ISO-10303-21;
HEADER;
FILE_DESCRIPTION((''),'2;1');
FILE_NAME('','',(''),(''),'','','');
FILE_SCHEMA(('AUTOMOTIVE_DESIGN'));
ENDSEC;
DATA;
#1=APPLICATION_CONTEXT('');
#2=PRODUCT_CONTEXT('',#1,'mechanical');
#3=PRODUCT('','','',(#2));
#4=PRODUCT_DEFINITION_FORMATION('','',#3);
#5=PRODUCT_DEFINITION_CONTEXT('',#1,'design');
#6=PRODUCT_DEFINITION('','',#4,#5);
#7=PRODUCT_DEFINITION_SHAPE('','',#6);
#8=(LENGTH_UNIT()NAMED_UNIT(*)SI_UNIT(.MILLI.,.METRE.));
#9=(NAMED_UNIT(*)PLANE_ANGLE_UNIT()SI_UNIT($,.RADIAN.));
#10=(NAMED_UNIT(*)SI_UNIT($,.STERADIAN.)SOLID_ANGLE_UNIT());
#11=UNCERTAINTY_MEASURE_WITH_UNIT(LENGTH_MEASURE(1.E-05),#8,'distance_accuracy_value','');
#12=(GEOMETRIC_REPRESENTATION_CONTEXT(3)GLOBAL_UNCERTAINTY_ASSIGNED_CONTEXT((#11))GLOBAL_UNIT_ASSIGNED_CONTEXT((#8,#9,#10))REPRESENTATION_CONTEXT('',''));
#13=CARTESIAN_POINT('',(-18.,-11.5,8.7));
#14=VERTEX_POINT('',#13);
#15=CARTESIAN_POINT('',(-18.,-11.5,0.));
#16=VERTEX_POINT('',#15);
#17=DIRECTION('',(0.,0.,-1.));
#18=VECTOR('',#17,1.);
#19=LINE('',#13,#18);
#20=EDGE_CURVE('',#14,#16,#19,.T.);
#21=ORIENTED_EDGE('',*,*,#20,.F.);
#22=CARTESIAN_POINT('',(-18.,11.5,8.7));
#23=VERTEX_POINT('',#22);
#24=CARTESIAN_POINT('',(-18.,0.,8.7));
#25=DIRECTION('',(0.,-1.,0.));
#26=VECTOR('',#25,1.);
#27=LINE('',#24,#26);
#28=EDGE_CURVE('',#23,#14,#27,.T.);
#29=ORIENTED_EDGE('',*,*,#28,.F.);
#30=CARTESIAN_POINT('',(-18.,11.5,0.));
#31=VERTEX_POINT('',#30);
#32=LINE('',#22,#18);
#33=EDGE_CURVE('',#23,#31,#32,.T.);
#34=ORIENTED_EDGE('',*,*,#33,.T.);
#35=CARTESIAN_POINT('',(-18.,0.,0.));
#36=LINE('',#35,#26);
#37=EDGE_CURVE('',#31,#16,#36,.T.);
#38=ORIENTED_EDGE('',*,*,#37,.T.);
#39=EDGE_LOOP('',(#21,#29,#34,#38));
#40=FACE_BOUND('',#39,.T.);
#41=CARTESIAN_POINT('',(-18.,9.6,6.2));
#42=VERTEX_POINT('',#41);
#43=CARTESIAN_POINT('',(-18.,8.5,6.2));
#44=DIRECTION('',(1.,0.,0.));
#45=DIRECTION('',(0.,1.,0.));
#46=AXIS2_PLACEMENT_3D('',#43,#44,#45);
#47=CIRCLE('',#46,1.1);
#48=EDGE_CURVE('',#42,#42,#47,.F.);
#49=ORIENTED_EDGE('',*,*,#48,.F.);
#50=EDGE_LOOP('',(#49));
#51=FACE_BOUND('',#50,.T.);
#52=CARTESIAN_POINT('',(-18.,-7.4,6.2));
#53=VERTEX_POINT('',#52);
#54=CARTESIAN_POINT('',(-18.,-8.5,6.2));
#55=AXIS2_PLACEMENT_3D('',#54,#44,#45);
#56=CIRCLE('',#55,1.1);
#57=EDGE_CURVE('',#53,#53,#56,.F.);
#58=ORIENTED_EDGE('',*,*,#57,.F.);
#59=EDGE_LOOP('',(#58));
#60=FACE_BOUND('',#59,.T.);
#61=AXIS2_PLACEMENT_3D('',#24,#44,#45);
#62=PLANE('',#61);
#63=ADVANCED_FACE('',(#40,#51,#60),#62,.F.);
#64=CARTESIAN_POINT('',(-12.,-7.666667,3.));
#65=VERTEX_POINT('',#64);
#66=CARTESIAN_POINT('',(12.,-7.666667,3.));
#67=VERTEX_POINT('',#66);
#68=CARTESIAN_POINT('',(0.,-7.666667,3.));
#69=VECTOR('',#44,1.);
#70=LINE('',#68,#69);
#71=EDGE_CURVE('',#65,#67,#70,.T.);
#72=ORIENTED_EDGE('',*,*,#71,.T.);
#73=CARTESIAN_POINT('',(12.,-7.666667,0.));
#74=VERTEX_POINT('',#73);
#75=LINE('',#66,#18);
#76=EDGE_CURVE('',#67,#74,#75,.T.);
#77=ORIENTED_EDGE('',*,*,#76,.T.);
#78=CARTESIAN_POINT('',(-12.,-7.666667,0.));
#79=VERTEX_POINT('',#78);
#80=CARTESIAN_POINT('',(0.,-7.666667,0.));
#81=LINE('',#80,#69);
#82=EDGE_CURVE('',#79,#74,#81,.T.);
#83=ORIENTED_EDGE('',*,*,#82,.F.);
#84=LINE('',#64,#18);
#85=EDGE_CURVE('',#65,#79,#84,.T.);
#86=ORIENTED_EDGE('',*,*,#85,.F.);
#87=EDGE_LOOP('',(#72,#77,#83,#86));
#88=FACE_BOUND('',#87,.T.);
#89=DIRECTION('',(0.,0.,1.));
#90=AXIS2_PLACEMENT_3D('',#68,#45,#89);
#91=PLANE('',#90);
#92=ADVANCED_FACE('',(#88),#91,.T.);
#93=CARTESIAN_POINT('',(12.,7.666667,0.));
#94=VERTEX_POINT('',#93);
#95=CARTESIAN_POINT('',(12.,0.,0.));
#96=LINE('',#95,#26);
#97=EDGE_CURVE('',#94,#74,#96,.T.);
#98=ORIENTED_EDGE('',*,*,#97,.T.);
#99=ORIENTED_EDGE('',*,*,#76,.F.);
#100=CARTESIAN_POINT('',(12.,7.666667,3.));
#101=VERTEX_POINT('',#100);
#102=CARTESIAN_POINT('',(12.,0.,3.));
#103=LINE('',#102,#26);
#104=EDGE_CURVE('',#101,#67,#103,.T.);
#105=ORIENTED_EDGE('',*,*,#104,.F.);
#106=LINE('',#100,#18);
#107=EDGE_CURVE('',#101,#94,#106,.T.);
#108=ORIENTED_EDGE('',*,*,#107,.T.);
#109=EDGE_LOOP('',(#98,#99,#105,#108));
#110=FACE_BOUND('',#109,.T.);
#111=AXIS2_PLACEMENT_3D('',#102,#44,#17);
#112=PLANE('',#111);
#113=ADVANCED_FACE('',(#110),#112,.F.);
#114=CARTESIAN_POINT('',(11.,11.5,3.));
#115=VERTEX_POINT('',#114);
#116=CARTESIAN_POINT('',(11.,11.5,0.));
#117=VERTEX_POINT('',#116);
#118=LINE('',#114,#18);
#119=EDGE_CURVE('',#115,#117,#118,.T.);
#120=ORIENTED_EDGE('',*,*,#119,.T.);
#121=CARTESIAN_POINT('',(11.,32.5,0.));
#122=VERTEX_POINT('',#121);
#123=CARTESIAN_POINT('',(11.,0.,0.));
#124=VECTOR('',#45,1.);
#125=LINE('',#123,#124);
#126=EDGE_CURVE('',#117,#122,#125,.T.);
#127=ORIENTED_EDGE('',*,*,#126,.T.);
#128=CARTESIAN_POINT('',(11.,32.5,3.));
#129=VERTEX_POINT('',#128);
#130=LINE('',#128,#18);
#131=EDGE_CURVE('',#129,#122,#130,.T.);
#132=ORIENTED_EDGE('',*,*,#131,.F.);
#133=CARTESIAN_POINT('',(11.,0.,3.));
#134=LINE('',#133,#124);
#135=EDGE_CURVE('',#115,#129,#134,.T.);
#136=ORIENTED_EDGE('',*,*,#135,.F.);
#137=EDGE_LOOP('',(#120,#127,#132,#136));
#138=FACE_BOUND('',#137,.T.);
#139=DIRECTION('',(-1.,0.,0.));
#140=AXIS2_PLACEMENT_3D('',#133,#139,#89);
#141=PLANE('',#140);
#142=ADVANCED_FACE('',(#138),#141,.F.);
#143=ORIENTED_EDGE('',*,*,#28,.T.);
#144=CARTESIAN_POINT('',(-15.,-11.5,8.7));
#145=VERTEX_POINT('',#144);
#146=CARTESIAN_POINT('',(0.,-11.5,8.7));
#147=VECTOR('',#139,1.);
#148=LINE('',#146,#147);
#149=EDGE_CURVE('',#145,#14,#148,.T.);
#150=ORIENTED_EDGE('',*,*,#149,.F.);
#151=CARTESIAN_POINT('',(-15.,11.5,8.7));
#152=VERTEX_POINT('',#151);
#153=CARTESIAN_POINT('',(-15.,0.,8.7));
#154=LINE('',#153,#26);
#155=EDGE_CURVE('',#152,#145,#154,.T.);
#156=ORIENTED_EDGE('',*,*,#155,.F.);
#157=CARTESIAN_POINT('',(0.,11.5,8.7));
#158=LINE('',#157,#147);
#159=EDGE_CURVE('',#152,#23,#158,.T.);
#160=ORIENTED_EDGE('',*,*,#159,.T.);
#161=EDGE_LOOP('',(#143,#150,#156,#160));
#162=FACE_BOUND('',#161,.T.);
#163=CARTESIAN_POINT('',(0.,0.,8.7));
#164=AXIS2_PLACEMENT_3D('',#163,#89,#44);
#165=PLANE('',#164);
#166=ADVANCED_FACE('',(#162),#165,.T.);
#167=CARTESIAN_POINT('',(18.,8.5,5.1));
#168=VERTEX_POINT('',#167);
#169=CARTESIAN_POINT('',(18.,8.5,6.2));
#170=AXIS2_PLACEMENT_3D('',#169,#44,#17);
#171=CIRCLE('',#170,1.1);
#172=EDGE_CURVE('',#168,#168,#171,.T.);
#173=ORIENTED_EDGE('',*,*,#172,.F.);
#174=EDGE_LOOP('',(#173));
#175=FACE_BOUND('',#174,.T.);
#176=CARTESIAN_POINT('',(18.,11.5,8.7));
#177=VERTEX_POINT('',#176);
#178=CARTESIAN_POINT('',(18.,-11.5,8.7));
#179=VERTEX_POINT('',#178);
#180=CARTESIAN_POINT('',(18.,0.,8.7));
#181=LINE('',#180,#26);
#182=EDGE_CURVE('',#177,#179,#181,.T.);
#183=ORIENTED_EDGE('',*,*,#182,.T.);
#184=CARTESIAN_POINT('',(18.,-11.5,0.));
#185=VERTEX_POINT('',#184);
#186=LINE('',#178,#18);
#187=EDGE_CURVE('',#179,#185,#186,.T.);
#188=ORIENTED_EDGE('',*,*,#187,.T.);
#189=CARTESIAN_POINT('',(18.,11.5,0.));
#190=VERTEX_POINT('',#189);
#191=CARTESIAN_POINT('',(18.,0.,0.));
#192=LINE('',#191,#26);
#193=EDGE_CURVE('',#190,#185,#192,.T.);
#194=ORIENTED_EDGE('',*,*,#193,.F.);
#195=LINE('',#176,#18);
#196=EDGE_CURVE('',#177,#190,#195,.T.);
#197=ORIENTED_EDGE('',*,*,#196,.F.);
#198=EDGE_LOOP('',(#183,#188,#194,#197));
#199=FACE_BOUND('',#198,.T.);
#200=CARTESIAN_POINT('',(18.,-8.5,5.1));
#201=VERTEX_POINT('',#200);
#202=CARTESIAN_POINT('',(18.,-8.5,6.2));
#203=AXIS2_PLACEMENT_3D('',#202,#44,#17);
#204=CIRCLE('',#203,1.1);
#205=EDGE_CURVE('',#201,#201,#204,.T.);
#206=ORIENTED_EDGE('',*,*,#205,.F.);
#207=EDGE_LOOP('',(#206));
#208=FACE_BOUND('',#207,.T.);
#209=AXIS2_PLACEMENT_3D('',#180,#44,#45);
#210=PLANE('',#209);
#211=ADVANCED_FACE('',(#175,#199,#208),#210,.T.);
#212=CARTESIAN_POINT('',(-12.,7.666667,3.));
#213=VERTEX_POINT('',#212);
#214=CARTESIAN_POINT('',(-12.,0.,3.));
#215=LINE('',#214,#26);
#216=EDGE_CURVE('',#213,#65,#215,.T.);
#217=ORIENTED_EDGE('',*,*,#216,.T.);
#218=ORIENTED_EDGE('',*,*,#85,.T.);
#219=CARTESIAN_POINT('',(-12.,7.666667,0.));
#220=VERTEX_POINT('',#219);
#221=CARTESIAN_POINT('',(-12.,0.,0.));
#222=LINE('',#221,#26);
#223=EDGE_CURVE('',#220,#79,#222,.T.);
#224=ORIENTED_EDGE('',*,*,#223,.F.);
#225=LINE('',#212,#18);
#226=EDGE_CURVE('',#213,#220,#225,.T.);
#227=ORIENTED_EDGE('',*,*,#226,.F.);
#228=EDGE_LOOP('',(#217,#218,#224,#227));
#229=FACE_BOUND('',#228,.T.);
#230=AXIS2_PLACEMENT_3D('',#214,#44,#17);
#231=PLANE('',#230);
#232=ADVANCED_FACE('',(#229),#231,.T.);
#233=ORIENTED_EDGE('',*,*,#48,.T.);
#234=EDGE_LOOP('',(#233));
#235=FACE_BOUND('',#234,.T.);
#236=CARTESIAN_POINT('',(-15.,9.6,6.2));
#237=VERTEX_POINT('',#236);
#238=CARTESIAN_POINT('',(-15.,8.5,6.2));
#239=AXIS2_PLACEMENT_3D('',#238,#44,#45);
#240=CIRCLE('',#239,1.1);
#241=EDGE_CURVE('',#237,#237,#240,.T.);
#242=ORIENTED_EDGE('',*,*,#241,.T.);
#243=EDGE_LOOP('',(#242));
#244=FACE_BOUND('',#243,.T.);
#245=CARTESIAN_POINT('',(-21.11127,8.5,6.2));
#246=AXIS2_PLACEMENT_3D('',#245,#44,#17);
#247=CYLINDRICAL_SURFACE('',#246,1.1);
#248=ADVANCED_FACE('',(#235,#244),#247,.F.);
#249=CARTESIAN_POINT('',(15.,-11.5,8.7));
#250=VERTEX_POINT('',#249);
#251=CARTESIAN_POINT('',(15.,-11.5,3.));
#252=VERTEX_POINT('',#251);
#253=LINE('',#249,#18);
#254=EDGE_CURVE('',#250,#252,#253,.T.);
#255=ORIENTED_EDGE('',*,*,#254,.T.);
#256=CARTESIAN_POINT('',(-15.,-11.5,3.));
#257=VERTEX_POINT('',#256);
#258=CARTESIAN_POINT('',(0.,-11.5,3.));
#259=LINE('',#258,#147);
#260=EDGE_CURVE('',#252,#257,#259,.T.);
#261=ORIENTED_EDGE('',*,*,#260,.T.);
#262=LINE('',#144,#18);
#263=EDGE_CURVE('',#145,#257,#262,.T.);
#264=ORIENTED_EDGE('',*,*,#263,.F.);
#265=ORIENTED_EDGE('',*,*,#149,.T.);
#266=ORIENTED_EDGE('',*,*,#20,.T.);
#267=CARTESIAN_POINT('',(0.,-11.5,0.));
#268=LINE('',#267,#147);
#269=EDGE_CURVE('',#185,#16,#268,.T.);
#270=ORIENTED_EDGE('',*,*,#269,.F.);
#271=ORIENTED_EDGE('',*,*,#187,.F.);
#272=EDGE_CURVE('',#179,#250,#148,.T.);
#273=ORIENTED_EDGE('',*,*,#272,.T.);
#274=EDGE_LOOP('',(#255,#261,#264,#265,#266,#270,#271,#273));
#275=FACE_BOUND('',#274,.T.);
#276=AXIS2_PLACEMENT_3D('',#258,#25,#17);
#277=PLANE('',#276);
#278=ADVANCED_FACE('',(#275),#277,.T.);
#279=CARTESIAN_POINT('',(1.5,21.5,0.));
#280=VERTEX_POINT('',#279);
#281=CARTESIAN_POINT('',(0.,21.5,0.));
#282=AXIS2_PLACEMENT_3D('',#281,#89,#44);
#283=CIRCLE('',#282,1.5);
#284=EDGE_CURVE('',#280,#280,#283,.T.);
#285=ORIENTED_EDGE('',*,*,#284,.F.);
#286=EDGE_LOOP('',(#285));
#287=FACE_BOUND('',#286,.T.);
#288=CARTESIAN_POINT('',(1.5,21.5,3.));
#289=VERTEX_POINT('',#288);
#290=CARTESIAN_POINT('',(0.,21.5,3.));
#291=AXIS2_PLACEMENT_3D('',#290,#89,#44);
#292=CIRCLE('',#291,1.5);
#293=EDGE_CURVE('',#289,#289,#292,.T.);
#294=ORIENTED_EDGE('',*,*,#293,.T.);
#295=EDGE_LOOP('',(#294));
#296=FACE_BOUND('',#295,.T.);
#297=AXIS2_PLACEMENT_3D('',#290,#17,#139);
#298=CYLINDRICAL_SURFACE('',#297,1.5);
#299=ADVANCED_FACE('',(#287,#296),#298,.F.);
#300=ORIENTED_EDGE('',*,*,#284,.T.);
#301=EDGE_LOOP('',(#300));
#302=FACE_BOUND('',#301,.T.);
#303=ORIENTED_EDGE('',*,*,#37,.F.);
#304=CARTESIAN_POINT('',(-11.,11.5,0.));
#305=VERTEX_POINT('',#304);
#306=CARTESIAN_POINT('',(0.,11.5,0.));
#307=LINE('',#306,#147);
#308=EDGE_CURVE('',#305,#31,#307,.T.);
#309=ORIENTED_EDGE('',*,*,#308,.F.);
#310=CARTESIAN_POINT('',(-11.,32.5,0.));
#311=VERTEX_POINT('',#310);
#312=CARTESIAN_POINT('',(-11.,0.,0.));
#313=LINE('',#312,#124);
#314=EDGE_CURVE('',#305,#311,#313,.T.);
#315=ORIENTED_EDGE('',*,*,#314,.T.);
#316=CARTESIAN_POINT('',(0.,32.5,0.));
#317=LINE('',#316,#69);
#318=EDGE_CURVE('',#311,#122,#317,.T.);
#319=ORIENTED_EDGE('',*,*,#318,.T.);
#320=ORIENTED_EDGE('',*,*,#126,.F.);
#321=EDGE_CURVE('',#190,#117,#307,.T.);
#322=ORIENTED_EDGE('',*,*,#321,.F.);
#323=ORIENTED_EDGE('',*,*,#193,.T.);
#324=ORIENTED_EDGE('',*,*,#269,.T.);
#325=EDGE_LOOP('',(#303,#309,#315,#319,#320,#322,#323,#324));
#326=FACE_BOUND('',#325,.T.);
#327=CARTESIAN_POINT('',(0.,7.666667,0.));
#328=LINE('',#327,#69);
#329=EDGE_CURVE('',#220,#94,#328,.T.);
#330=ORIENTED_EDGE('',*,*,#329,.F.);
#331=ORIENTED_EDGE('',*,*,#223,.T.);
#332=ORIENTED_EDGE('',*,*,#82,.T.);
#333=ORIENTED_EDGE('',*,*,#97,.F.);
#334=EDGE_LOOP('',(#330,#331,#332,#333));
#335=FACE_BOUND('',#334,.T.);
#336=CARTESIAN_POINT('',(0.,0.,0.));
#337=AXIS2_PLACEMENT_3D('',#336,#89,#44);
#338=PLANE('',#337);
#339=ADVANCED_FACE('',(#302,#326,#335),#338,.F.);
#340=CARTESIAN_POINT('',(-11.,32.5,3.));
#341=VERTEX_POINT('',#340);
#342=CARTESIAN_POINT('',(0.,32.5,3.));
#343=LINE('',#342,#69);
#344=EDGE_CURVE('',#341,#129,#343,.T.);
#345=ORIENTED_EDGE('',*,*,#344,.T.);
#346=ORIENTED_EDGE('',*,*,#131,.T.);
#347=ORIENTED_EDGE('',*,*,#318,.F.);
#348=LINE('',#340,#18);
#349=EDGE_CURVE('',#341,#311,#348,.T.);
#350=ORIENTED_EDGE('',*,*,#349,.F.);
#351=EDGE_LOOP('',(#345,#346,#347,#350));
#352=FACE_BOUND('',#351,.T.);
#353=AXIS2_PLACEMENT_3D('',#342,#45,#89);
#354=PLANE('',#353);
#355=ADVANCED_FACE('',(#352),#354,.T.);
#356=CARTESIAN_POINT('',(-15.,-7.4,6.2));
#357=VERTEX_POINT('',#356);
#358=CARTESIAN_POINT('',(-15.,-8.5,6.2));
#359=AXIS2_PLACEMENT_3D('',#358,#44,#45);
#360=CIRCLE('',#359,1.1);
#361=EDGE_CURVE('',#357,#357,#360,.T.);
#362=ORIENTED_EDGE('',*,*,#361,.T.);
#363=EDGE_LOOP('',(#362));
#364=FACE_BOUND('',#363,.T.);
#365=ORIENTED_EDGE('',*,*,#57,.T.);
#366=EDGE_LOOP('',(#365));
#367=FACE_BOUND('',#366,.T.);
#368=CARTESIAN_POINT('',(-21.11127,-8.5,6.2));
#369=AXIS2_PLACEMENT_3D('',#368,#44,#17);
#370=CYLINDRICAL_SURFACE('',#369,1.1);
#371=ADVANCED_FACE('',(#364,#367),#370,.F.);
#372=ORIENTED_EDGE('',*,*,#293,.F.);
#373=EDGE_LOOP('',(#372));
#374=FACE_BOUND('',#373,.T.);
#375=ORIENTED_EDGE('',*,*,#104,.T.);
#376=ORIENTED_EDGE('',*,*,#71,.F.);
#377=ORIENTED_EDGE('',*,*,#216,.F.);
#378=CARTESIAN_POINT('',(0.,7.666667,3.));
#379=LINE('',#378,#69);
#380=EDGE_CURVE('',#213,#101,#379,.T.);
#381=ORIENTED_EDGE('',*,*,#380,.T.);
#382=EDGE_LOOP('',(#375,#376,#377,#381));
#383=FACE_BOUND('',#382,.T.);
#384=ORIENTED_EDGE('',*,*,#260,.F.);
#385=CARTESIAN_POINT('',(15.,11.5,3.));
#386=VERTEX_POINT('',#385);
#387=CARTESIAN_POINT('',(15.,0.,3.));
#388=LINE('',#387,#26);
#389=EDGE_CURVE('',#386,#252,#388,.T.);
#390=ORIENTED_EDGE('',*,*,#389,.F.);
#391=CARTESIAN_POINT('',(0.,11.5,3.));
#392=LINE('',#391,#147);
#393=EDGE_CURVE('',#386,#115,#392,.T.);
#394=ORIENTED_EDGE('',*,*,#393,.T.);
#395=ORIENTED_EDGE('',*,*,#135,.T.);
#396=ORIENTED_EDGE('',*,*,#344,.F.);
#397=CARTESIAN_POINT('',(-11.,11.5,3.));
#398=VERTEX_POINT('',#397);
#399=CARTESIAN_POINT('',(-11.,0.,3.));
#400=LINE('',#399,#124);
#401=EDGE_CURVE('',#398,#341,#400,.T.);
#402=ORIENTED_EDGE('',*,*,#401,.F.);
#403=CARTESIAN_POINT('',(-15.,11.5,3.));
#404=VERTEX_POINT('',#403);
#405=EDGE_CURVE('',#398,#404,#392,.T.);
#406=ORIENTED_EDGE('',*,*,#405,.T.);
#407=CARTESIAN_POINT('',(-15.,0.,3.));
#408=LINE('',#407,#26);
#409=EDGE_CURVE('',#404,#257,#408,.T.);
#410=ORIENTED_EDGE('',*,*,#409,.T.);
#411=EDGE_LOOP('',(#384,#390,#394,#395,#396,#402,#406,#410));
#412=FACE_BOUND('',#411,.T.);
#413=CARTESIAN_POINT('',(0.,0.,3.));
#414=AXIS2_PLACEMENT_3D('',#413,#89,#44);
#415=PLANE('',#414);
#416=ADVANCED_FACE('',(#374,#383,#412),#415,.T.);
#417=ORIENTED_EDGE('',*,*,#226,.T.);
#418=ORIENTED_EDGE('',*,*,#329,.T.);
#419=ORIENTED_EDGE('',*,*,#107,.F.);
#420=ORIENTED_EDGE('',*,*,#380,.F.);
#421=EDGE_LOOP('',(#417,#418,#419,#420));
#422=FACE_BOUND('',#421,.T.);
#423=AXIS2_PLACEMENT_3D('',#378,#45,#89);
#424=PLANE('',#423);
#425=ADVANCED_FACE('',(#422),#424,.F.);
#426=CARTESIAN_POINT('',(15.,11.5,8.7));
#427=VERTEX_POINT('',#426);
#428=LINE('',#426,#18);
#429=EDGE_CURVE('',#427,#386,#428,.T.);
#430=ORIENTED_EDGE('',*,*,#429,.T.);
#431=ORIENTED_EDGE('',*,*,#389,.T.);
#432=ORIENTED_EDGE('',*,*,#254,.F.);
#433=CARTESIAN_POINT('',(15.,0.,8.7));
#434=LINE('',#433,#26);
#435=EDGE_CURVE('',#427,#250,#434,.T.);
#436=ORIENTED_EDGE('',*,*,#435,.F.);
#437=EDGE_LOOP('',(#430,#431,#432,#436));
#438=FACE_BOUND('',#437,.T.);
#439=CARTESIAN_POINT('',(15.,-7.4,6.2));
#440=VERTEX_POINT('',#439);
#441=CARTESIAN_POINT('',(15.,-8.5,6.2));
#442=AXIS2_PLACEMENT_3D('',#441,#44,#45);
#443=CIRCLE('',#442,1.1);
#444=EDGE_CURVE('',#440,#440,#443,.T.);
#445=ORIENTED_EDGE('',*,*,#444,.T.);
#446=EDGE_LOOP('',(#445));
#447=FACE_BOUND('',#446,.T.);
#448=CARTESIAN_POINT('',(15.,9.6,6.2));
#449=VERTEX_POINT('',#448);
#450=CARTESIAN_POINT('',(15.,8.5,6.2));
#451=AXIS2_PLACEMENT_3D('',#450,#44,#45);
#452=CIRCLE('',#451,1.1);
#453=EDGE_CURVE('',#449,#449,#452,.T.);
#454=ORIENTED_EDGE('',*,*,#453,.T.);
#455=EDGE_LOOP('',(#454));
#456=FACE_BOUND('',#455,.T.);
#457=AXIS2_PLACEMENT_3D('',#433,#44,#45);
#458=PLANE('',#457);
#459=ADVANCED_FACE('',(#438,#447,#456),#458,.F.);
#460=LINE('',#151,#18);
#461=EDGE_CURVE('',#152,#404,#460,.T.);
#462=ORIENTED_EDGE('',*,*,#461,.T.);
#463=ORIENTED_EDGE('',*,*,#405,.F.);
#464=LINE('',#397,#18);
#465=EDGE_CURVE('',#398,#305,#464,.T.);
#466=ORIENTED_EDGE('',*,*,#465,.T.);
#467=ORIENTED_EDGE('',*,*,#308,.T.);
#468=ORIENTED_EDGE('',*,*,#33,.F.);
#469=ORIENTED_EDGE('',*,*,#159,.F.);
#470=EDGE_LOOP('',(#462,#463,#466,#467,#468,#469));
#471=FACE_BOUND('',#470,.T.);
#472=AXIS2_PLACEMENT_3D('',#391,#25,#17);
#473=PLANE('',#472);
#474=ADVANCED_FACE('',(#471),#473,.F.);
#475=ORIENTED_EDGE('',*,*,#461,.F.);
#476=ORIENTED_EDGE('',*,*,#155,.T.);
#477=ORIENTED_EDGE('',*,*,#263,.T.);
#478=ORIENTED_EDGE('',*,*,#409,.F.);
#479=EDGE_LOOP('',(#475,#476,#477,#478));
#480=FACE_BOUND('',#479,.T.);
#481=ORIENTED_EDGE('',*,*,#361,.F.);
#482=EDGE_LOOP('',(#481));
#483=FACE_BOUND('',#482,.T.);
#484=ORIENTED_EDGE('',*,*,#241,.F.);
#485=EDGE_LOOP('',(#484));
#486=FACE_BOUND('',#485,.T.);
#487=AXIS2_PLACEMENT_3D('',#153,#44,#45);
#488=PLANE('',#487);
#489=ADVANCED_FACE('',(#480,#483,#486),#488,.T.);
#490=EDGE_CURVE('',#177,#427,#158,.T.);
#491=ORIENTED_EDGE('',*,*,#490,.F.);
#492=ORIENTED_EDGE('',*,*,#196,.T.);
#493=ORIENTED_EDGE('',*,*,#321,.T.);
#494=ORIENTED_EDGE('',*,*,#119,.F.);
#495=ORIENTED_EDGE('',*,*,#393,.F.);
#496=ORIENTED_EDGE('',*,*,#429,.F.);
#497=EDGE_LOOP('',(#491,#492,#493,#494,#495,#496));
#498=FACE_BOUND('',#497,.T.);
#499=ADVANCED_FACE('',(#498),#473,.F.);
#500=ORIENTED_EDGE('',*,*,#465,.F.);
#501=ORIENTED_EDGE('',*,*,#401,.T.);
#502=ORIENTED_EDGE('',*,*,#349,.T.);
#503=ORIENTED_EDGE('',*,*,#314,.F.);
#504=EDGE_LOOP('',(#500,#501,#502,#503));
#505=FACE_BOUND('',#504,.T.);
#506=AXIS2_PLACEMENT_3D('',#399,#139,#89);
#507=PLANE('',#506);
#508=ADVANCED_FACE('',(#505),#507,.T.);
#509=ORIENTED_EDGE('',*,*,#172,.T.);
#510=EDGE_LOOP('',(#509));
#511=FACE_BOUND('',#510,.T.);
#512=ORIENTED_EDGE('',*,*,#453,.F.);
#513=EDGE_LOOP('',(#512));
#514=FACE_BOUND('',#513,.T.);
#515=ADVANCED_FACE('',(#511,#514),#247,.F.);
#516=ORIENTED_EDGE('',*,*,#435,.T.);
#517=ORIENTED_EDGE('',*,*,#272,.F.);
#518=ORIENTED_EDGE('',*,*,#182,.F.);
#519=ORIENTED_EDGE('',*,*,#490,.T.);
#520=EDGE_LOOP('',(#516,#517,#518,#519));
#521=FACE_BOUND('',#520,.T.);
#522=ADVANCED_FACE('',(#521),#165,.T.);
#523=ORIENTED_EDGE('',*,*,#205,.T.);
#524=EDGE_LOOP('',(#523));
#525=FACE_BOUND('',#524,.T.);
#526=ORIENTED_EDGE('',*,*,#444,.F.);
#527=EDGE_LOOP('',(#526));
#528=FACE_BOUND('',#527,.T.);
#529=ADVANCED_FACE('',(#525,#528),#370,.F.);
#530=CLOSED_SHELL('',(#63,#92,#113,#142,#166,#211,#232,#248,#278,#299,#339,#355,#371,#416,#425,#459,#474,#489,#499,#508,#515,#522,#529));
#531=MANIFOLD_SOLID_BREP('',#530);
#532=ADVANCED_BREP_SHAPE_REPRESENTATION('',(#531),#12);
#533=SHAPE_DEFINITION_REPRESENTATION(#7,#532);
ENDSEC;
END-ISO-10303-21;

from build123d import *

# Parameters (mm, degrees)
SKETCH1_W           = 24
SKETCH1_H           = 15.333333334
SKETCH1_R           = 1.5
BOSS_EXTRUDE1_DEPTH = 3
SKETCH1_4_W         = 3
SKETCH1_4_H         = 23
BOSS_EXTRUDE2_DEPTH = 8.7
CUT_EXTRUDE1_REACH  = 51.274
SKETCH2_R           = 1.1


with BuildPart() as part:
    # Sketch1 → Boss-Extrude1 (new body)
    with BuildSketch(Plane.XY):
        Polygon((-11, 32.5), (-11, 11.5), (-15, 11.5), (-15, -11.5), (15, -11.5), (15, 11.5), (11, 11.5), (11, 32.5), align=None)
        Rectangle(SKETCH1_W, SKETCH1_H, mode=Mode.SUBTRACT)
        with Locations((0, 21.5)):
            Circle(SKETCH1_R, mode=Mode.SUBTRACT)
    extrude(amount=BOSS_EXTRUDE1_DEPTH)

    # Sketch1<4> → Boss-Extrude2 (add)
    with BuildSketch(Plane.XY):
        with Locations((16.5, 0)):
            Rectangle(SKETCH1_4_W, SKETCH1_4_H)
        with Locations((-16.5, 0)):
            Rectangle(SKETCH1_4_W, SKETCH1_4_H)
    extrude(amount=BOSS_EXTRUDE2_DEPTH)

    # Cut-Extrude1: up to this face of the body (flat: up to its plane)
    cut_extrude1_end = Plane(part.part.faces().sort_by_distance((-18, 0, 4.35))[0])
    # Sketch2 → Cut-Extrude1 (cut, up to the picked face)
    with BuildSketch(Plane(origin=(18, 0, 0), x_dir=(0, 0, -1), z_dir=(1, 0, 0)), mode=Mode.PRIVATE) as cut_extrude1_sk1:
        with Locations(Location((-6.2, 8.5, 0), (0, 0, 90))):
            Circle(SKETCH2_R)
    cut_extrude1_tool1 = split(extrude(cut_extrude1_sk1.sketch, amount=-CUT_EXTRUDE1_REACH, mode=Mode.PRIVATE), bisect_by=cut_extrude1_end, keep=Keep.BOTH, mode=Mode.PRIVATE)
    # Sketch2 → Cut-Extrude1 (cut, up to the picked face)
    with BuildSketch(Plane(origin=(18, 0, 0), x_dir=(0, 0, -1), z_dir=(1, 0, 0)), mode=Mode.PRIVATE) as cut_extrude1_sk2:
        with Locations(Location((-6.2, -8.5, 0), (0, 0, 90))):
            Circle(SKETCH2_R)
    cut_extrude1_tool2 = split(extrude(cut_extrude1_sk2.sketch, amount=-CUT_EXTRUDE1_REACH, mode=Mode.PRIVATE), bisect_by=cut_extrude1_end, keep=Keep.BOTH, mode=Mode.PRIVATE)
    add(cut_extrude1_tool1.solids().sort_by(Axis((18, 8.5, 6.2), (-1, 0, 0)))[0], mode=Mode.SUBTRACT)
    add(cut_extrude1_tool2.solids().sort_by(Axis((18, -8.5, 6.2), (-1, 0, 0)))[0], mode=Mode.SUBTRACT)


solid = part.part
